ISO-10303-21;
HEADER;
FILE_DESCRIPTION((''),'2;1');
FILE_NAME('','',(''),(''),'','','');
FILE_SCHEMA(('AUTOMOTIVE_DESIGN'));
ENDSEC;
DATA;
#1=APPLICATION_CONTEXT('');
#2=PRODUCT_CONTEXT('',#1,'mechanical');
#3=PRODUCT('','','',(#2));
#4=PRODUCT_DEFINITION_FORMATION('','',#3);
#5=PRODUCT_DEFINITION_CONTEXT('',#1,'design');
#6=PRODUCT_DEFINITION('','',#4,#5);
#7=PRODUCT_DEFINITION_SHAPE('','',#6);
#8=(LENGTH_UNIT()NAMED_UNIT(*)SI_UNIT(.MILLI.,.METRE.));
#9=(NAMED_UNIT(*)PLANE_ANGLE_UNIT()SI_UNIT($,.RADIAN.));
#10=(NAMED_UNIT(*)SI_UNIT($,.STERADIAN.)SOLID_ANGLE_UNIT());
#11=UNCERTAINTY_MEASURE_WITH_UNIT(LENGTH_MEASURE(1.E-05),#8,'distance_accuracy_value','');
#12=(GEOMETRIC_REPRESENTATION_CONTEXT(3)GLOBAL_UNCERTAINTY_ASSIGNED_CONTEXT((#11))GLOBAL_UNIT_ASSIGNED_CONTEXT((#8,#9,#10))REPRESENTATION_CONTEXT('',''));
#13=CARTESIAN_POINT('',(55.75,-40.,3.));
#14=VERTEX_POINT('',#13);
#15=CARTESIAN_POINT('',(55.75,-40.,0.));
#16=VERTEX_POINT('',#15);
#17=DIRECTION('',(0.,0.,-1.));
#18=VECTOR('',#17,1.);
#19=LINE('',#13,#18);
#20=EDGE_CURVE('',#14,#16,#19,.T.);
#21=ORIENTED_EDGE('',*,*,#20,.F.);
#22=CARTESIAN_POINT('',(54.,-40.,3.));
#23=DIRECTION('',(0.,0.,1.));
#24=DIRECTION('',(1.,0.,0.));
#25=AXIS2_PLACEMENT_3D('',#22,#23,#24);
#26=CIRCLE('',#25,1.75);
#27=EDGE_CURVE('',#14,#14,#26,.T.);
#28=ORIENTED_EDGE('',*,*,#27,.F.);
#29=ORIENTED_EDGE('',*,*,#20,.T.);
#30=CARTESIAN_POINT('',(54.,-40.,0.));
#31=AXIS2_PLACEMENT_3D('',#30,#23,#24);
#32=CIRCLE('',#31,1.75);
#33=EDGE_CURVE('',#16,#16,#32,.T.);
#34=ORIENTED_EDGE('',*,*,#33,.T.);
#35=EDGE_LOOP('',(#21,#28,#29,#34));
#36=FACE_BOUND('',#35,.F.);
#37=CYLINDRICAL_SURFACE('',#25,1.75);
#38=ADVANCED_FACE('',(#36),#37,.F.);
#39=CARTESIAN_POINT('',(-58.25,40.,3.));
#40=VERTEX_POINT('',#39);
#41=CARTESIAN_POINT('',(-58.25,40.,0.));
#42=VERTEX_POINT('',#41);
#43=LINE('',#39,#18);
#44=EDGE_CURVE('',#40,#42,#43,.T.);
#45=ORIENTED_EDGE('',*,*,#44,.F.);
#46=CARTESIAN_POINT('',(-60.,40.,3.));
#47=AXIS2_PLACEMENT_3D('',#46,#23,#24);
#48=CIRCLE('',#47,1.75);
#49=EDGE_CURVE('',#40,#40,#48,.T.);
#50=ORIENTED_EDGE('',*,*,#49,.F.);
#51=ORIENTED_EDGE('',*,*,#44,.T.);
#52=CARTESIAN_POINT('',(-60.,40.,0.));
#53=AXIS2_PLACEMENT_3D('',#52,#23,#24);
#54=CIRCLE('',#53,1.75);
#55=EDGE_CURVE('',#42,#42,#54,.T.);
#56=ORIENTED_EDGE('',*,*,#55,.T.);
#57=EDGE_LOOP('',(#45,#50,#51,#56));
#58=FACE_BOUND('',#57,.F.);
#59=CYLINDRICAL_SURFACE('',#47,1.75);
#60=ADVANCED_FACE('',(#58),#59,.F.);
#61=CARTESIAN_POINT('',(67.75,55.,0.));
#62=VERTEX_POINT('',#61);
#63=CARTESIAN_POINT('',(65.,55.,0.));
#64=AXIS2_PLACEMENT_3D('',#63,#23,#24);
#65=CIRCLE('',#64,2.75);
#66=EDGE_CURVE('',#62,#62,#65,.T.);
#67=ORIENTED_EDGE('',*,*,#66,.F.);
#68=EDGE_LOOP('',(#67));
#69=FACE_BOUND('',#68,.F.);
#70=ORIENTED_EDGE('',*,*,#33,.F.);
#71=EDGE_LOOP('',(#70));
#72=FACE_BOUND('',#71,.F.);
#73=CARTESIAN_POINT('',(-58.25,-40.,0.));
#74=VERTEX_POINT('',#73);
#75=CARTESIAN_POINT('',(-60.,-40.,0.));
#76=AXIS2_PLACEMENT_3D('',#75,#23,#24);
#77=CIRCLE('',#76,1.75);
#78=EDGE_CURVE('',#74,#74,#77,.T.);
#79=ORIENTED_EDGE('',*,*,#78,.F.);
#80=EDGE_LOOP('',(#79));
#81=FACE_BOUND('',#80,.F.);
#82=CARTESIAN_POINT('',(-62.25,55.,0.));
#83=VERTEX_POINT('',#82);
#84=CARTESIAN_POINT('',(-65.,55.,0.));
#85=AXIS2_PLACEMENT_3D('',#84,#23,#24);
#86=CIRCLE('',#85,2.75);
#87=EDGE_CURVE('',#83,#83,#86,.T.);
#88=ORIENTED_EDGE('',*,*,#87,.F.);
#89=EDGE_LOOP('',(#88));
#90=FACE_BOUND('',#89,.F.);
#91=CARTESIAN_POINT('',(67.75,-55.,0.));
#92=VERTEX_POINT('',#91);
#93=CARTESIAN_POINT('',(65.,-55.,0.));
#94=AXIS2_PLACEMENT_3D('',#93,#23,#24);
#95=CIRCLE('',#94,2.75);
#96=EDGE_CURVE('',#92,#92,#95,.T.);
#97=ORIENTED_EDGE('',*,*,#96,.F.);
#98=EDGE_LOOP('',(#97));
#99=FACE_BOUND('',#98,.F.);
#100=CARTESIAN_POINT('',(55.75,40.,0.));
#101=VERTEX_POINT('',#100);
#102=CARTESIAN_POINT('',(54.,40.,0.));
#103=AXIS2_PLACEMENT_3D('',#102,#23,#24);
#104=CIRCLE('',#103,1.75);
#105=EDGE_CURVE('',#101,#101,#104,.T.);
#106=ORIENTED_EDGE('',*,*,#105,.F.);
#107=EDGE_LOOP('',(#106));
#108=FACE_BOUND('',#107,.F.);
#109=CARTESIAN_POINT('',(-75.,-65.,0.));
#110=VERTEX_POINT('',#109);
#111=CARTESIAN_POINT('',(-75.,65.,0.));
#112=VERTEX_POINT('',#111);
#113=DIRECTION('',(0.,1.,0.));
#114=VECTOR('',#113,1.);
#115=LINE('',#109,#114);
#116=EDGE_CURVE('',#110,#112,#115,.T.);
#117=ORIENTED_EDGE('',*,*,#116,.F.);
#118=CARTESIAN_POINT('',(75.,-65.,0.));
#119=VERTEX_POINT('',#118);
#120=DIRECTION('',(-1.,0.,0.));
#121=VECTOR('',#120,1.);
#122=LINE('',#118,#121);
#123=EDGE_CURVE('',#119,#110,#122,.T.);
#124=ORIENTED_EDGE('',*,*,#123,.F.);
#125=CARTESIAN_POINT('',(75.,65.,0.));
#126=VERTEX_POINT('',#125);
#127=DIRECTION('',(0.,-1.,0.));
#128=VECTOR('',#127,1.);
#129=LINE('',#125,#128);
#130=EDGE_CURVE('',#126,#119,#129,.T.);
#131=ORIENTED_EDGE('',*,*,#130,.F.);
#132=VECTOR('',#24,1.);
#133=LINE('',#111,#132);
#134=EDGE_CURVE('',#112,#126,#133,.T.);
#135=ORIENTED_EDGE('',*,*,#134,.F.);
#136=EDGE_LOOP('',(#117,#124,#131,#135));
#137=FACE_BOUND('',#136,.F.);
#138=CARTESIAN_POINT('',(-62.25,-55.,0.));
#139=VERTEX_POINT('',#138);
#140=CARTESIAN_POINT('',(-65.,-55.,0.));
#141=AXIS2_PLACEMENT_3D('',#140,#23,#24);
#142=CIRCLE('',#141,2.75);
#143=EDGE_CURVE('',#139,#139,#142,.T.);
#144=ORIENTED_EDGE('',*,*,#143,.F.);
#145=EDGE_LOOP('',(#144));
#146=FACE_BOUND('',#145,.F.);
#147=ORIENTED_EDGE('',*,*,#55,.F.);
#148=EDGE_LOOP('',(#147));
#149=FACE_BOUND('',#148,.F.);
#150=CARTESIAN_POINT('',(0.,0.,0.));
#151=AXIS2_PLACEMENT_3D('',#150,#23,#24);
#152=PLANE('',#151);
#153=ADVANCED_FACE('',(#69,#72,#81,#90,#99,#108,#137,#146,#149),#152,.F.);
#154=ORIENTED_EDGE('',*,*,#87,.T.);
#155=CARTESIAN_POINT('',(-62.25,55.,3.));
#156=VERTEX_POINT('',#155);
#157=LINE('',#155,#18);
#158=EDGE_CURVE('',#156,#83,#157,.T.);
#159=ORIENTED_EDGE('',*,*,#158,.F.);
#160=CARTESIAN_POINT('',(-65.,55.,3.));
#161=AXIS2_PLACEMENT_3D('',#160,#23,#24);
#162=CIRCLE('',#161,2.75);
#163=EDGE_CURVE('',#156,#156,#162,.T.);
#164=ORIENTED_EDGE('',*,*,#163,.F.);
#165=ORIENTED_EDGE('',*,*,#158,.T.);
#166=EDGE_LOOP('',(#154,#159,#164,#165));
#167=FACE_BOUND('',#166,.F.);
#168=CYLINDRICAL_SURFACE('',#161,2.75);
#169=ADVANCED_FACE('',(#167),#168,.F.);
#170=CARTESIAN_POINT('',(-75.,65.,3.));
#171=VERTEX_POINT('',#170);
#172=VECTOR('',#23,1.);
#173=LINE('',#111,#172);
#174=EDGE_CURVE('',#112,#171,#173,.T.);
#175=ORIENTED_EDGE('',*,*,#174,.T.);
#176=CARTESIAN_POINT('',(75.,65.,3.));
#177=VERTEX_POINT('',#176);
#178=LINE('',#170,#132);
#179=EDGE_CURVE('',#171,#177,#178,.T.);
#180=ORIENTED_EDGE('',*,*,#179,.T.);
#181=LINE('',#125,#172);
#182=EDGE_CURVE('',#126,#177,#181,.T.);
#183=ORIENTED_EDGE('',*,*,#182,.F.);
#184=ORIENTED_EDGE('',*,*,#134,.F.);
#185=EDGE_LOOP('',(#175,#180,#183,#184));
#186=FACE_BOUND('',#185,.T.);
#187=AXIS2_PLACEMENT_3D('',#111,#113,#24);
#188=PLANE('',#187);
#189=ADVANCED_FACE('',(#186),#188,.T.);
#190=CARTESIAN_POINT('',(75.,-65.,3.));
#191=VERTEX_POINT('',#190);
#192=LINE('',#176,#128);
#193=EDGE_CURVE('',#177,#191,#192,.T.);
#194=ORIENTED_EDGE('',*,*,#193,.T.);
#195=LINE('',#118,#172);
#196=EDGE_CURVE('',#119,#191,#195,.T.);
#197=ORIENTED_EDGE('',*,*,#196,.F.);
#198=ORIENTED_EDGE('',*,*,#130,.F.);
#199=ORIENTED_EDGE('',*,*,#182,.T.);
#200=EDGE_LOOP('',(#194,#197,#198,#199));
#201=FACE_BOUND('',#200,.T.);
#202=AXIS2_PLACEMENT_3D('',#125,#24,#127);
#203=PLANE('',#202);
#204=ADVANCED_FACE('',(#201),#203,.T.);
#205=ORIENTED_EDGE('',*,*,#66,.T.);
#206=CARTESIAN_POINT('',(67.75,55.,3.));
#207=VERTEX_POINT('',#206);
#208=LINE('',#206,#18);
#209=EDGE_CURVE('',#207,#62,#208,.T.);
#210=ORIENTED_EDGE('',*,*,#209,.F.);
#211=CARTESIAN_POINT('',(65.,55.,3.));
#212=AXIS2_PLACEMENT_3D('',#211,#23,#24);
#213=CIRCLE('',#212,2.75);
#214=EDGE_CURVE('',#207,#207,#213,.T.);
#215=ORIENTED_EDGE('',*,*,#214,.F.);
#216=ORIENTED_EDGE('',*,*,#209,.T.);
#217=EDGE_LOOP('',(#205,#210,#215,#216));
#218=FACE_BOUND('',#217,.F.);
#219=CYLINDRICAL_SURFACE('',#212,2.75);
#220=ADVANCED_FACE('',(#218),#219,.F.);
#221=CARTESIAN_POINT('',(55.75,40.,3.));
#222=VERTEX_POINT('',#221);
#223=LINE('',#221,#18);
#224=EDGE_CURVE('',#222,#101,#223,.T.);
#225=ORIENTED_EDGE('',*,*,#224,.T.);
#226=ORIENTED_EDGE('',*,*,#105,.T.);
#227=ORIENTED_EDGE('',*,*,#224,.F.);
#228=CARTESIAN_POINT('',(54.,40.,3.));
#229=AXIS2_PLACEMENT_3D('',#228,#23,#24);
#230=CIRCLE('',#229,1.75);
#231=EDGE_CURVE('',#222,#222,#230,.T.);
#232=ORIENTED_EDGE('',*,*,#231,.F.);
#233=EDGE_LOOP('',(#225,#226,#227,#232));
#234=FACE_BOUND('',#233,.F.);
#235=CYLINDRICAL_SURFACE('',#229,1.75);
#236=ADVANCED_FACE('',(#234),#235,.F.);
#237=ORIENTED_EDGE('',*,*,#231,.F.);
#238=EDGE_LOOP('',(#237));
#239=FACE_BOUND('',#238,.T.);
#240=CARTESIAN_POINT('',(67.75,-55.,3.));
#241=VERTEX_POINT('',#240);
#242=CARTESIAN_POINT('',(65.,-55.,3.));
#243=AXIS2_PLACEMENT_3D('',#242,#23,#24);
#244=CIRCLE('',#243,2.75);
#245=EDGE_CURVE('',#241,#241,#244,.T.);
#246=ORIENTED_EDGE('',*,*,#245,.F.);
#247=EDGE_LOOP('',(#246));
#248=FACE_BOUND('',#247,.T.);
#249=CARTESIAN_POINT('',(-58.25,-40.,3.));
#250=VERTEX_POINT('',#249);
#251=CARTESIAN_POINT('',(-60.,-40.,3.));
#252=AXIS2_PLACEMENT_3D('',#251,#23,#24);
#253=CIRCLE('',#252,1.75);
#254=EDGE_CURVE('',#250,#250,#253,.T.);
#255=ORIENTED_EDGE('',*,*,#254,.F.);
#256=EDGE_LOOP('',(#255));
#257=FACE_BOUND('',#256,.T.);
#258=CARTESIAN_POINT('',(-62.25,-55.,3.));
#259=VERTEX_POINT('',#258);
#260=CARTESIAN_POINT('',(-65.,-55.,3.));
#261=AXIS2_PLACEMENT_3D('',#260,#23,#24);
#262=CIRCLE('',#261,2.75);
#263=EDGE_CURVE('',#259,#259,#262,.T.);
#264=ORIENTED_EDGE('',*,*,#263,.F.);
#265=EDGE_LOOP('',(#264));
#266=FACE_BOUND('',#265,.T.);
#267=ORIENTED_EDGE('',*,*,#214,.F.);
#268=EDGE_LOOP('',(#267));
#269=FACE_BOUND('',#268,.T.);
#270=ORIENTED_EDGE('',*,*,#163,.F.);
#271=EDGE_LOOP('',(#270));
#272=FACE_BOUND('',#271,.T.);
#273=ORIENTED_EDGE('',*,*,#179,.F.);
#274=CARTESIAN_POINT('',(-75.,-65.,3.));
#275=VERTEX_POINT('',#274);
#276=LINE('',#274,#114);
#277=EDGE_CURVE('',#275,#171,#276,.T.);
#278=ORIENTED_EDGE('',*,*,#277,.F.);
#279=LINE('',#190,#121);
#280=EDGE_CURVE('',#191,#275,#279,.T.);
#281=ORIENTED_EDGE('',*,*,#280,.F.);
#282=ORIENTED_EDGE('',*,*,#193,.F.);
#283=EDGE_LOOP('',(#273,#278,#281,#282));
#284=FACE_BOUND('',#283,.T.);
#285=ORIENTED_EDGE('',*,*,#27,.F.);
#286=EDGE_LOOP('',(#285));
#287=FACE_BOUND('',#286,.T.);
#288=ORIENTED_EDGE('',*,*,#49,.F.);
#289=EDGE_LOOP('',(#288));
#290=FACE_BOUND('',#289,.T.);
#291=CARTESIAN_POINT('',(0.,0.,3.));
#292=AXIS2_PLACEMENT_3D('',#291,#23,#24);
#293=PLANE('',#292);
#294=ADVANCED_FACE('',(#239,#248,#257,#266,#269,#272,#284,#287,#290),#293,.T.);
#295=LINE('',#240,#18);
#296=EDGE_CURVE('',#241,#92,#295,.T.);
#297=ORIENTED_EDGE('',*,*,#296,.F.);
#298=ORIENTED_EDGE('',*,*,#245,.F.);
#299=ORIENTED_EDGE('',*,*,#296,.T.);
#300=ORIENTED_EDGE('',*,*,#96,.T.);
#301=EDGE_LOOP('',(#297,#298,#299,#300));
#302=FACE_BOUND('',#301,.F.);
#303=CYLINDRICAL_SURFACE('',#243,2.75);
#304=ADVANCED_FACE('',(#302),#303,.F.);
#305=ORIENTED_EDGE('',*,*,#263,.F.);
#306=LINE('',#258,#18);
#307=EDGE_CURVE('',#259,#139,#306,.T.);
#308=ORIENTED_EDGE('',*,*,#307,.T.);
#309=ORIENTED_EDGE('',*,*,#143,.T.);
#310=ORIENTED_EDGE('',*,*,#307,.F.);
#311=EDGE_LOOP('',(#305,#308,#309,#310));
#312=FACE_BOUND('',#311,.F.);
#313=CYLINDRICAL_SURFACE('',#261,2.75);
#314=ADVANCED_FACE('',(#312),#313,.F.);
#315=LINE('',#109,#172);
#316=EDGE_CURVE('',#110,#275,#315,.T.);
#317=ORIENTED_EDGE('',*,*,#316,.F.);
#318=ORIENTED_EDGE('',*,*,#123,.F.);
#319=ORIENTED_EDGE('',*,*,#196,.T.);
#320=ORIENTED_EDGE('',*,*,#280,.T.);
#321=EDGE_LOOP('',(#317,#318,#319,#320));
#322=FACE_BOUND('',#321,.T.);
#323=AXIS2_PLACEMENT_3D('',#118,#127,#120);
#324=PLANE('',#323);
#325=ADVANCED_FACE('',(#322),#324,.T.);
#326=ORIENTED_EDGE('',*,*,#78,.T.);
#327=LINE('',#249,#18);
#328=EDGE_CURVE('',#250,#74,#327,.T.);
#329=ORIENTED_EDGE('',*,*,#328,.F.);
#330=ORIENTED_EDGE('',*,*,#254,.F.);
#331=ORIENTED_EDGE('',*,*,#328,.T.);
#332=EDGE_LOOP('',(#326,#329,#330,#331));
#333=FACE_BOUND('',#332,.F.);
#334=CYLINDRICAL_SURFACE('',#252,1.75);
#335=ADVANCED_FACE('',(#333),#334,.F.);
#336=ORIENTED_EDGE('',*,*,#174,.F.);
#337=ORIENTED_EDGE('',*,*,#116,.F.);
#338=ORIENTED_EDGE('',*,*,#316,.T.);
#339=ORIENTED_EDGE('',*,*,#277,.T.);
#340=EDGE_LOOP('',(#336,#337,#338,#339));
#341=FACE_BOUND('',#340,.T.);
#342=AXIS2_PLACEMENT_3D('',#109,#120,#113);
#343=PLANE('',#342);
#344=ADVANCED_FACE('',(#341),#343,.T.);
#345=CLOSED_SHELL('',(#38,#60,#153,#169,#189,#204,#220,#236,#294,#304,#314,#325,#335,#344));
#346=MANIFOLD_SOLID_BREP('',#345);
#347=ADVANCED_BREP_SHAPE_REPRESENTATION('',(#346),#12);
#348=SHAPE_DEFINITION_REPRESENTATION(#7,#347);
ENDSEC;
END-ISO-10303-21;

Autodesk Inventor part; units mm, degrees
ref_plane "YZ Plane" through (0, 0, 0) normal (1, 0, 0) x (0, 1, 0)
ref_plane "XZ Plane" through (0, 0, 0) normal (0, 1, 0) x (-1, 0, 0)
ref_plane "XY Plane" through (0, 0, 0) normal (0, 0, 1) x (1, 0, 0)
sketch "Sketch1" plane through (0, 0, 0) normal (0, 0, 1) x (1, 0, 0)
  line L0 (-75, 65) -> (75, 65)
  line L1 (75, 65) -> (75, -65)
  line L2 (75, -65) -> (-75, -65)
  line L3 (-75, -65) -> (-75, 65)
  point P0 (0, 0)
  dimension "d0" = 150
  dimension "d1" = 130
  dimension "d2" = 65
  dimension "d3" = 75
extrude "Extrusion1" add sketch "Sketch1" along normal blind 3
sketch "Sketch2" plane through (0, 0, 3) normal (0, 0, 1) x (1, 0, 0)
  circle A0 centre (-60, 40) radius 1.75
  line L0 (75, 65) -> (-75, 65) projected
  line L1 (-75, 65) -> (-75, -65) projected
  point P0 (0, 0)
  dimension "d6" = 3.5
  dimension "d15" = 25
  dimension "d16" = 15
extrude "Extrusion2" cut sketch "Sketch2" against normal through all
pattern_linear "Rectangular Pattern1" count 2 spacing 114 along (1, 0, 0) count 2 spacing 80 along (0, -1, 0) of "Extrusion2"
sketch "Sketch3" plane through (0, 0, 3) normal (0, 0, 1) x (1, 0, 0)
  line L0 (75, 65) -> (-75, 65) projected
  line L1 (-75, 65) -> (-75, -65) projected
  circle A0 centre (-65, 55) radius 2.75
  point P0 (0, 0)
  dimension "d17" = 5.5
  dimension "d18" = 10
  dimension "d19" = 10
extrude "Extrusion3" cut sketch "Sketch3" against normal through all
pattern_linear "Rectangular Pattern2" count 2 spacing 130 along (1, 0, 0) count 2 spacing 110 along (0, -1, 0) of "Extrusion3"
equation "\"d2\" = 0.5 * d1"
equation "\"d3\" = 0.5 * d0"
properties part number "part_plate_rear" material "Polycarbonate, Clear"
